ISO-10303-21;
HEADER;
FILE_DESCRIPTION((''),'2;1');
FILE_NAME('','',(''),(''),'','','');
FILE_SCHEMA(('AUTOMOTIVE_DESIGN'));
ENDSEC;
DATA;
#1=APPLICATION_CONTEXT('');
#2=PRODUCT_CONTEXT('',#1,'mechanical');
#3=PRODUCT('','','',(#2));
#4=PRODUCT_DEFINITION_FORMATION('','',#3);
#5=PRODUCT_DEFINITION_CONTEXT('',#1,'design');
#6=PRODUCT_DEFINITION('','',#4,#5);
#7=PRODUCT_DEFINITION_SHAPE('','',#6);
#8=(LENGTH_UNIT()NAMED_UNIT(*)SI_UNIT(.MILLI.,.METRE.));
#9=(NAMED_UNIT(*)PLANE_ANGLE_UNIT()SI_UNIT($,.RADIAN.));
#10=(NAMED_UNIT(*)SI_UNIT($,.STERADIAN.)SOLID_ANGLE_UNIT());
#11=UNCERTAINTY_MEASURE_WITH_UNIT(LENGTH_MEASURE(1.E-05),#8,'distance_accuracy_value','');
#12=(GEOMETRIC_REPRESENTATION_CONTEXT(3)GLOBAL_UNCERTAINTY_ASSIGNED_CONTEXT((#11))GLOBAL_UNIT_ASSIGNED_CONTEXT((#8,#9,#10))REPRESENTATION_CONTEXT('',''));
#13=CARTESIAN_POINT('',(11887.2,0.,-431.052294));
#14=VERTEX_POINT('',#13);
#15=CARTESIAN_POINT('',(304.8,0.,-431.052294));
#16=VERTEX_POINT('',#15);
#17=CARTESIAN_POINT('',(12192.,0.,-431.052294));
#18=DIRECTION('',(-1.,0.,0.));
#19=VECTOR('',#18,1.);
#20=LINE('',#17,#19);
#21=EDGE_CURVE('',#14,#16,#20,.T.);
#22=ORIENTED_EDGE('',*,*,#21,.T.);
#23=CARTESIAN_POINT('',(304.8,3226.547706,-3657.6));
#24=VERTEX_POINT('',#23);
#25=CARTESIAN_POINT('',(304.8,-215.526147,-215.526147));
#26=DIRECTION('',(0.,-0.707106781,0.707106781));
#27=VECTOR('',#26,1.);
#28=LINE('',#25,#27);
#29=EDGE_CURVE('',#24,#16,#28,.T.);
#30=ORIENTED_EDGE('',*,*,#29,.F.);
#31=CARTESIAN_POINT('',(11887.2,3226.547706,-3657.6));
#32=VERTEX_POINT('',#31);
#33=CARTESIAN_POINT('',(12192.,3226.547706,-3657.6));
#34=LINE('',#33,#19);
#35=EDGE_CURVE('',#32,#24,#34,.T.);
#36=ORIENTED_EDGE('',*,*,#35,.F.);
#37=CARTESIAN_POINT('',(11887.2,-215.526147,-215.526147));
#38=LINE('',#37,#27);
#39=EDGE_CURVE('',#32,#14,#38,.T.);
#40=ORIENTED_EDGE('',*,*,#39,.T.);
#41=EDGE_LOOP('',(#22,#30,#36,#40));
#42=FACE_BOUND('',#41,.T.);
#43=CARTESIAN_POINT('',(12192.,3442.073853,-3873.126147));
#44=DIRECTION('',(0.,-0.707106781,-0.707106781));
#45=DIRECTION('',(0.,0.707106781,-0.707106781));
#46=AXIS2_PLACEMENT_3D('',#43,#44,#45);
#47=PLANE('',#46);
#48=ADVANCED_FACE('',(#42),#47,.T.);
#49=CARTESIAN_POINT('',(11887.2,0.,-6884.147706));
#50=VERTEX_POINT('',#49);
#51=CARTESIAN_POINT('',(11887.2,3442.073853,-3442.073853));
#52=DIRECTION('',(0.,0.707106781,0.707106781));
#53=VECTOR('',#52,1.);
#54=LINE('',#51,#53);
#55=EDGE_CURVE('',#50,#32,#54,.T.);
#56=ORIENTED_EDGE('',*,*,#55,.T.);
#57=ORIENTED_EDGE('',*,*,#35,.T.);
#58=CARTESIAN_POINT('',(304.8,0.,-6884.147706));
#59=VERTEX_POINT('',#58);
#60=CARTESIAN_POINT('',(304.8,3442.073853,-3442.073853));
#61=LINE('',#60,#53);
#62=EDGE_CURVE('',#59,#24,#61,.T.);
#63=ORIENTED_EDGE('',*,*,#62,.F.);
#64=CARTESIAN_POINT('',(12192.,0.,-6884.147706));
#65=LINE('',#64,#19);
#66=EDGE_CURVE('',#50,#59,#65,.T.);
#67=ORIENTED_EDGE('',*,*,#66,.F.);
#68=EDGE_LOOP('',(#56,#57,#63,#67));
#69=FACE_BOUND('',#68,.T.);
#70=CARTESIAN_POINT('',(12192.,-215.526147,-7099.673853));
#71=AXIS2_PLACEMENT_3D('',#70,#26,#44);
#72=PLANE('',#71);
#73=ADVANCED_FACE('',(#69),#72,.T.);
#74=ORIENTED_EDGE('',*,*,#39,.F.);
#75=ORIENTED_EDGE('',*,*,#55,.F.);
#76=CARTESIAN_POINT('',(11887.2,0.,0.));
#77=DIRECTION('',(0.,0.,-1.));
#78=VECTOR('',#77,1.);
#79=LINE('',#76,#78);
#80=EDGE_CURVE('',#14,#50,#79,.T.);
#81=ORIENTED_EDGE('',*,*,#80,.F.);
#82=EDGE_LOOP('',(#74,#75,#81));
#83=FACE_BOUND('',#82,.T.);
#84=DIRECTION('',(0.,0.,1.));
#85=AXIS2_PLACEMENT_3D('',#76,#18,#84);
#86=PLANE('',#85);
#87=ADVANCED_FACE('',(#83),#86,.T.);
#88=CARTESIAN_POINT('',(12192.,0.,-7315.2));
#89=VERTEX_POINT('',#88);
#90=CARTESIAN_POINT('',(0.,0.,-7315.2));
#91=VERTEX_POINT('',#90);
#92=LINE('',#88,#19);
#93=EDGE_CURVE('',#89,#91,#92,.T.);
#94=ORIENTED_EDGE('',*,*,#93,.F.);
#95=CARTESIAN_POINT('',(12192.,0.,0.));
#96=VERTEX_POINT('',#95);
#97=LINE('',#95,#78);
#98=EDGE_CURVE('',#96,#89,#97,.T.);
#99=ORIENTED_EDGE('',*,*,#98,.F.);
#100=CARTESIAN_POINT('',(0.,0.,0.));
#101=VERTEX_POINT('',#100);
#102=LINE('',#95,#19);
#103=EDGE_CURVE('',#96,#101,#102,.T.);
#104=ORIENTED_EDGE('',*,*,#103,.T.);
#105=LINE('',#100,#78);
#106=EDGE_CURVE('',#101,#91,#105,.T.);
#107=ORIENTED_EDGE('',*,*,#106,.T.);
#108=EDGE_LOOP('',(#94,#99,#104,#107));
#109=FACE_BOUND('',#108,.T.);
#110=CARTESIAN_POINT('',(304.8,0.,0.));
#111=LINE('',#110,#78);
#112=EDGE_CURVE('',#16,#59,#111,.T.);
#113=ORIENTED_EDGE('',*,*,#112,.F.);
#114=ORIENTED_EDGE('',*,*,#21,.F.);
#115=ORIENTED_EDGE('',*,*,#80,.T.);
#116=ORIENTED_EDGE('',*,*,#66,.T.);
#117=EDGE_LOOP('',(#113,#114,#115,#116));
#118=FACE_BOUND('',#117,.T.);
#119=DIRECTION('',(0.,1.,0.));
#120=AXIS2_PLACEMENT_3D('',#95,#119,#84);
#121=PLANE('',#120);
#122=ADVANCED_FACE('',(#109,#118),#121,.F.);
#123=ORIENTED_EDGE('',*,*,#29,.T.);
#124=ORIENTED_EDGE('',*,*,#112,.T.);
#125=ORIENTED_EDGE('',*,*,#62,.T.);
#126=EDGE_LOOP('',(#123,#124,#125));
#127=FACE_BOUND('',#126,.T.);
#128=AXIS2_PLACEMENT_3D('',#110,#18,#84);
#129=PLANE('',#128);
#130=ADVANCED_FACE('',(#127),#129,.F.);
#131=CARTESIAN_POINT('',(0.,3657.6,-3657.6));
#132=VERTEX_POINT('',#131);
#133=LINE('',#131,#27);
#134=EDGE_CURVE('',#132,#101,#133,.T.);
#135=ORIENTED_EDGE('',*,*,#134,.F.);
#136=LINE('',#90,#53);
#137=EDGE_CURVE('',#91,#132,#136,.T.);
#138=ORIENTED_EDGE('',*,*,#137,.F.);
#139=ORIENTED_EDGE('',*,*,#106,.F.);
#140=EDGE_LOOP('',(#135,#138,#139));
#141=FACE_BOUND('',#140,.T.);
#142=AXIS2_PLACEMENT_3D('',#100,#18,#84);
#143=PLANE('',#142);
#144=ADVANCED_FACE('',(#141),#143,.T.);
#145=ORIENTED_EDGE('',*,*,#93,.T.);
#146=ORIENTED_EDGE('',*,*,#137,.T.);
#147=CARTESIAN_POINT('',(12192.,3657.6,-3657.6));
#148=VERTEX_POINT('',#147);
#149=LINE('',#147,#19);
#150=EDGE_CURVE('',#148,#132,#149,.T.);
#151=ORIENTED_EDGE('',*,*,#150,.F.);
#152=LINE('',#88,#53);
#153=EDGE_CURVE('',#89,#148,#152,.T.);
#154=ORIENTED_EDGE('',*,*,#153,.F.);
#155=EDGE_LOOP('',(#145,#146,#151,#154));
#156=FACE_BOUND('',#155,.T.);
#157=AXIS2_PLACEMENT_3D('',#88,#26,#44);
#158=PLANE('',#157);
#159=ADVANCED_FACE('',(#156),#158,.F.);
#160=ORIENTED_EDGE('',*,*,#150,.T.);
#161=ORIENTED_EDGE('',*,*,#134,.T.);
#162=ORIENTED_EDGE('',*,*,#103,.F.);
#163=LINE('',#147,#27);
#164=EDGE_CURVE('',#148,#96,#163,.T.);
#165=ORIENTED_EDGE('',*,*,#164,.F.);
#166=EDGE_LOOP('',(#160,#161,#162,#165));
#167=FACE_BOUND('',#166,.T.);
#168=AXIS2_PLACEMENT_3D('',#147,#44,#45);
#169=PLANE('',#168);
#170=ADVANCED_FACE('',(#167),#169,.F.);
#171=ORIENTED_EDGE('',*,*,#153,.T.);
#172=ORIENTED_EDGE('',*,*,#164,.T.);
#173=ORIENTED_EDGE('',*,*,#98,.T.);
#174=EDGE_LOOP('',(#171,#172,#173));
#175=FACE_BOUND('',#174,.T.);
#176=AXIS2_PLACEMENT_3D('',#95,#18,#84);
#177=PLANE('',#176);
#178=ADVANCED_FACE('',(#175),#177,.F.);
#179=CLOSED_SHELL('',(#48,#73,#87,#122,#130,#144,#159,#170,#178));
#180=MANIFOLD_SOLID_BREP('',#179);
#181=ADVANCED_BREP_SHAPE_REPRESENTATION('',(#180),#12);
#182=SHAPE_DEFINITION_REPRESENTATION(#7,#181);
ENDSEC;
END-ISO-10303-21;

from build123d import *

# Parameters (mm, degrees)
BOSS_EXTRUDE1_DEPTH = 12192
SHELL1_T            = -304.8


with BuildPart() as part:
    # Sketch1 → Boss-Extrude1 (new body)
    with BuildSketch(Plane(origin=(0, 0, 0), x_dir=(0, 0, -1), z_dir=(1, 0, 0))):
        Polygon((0, 0), (7315.2, 0), (3657.6, 3657.6), align=None)
    extrude(amount=BOSS_EXTRUDE1_DEPTH)

    # Shell1
    shell1_openings = [part.faces().sort_by_distance(p)[0] for p in [
        (6096, 0, -3657.6),
    ]]
    offset(amount=SHELL1_T, openings=shell1_openings, kind=Kind.INTERSECTION)


solid = part.part
